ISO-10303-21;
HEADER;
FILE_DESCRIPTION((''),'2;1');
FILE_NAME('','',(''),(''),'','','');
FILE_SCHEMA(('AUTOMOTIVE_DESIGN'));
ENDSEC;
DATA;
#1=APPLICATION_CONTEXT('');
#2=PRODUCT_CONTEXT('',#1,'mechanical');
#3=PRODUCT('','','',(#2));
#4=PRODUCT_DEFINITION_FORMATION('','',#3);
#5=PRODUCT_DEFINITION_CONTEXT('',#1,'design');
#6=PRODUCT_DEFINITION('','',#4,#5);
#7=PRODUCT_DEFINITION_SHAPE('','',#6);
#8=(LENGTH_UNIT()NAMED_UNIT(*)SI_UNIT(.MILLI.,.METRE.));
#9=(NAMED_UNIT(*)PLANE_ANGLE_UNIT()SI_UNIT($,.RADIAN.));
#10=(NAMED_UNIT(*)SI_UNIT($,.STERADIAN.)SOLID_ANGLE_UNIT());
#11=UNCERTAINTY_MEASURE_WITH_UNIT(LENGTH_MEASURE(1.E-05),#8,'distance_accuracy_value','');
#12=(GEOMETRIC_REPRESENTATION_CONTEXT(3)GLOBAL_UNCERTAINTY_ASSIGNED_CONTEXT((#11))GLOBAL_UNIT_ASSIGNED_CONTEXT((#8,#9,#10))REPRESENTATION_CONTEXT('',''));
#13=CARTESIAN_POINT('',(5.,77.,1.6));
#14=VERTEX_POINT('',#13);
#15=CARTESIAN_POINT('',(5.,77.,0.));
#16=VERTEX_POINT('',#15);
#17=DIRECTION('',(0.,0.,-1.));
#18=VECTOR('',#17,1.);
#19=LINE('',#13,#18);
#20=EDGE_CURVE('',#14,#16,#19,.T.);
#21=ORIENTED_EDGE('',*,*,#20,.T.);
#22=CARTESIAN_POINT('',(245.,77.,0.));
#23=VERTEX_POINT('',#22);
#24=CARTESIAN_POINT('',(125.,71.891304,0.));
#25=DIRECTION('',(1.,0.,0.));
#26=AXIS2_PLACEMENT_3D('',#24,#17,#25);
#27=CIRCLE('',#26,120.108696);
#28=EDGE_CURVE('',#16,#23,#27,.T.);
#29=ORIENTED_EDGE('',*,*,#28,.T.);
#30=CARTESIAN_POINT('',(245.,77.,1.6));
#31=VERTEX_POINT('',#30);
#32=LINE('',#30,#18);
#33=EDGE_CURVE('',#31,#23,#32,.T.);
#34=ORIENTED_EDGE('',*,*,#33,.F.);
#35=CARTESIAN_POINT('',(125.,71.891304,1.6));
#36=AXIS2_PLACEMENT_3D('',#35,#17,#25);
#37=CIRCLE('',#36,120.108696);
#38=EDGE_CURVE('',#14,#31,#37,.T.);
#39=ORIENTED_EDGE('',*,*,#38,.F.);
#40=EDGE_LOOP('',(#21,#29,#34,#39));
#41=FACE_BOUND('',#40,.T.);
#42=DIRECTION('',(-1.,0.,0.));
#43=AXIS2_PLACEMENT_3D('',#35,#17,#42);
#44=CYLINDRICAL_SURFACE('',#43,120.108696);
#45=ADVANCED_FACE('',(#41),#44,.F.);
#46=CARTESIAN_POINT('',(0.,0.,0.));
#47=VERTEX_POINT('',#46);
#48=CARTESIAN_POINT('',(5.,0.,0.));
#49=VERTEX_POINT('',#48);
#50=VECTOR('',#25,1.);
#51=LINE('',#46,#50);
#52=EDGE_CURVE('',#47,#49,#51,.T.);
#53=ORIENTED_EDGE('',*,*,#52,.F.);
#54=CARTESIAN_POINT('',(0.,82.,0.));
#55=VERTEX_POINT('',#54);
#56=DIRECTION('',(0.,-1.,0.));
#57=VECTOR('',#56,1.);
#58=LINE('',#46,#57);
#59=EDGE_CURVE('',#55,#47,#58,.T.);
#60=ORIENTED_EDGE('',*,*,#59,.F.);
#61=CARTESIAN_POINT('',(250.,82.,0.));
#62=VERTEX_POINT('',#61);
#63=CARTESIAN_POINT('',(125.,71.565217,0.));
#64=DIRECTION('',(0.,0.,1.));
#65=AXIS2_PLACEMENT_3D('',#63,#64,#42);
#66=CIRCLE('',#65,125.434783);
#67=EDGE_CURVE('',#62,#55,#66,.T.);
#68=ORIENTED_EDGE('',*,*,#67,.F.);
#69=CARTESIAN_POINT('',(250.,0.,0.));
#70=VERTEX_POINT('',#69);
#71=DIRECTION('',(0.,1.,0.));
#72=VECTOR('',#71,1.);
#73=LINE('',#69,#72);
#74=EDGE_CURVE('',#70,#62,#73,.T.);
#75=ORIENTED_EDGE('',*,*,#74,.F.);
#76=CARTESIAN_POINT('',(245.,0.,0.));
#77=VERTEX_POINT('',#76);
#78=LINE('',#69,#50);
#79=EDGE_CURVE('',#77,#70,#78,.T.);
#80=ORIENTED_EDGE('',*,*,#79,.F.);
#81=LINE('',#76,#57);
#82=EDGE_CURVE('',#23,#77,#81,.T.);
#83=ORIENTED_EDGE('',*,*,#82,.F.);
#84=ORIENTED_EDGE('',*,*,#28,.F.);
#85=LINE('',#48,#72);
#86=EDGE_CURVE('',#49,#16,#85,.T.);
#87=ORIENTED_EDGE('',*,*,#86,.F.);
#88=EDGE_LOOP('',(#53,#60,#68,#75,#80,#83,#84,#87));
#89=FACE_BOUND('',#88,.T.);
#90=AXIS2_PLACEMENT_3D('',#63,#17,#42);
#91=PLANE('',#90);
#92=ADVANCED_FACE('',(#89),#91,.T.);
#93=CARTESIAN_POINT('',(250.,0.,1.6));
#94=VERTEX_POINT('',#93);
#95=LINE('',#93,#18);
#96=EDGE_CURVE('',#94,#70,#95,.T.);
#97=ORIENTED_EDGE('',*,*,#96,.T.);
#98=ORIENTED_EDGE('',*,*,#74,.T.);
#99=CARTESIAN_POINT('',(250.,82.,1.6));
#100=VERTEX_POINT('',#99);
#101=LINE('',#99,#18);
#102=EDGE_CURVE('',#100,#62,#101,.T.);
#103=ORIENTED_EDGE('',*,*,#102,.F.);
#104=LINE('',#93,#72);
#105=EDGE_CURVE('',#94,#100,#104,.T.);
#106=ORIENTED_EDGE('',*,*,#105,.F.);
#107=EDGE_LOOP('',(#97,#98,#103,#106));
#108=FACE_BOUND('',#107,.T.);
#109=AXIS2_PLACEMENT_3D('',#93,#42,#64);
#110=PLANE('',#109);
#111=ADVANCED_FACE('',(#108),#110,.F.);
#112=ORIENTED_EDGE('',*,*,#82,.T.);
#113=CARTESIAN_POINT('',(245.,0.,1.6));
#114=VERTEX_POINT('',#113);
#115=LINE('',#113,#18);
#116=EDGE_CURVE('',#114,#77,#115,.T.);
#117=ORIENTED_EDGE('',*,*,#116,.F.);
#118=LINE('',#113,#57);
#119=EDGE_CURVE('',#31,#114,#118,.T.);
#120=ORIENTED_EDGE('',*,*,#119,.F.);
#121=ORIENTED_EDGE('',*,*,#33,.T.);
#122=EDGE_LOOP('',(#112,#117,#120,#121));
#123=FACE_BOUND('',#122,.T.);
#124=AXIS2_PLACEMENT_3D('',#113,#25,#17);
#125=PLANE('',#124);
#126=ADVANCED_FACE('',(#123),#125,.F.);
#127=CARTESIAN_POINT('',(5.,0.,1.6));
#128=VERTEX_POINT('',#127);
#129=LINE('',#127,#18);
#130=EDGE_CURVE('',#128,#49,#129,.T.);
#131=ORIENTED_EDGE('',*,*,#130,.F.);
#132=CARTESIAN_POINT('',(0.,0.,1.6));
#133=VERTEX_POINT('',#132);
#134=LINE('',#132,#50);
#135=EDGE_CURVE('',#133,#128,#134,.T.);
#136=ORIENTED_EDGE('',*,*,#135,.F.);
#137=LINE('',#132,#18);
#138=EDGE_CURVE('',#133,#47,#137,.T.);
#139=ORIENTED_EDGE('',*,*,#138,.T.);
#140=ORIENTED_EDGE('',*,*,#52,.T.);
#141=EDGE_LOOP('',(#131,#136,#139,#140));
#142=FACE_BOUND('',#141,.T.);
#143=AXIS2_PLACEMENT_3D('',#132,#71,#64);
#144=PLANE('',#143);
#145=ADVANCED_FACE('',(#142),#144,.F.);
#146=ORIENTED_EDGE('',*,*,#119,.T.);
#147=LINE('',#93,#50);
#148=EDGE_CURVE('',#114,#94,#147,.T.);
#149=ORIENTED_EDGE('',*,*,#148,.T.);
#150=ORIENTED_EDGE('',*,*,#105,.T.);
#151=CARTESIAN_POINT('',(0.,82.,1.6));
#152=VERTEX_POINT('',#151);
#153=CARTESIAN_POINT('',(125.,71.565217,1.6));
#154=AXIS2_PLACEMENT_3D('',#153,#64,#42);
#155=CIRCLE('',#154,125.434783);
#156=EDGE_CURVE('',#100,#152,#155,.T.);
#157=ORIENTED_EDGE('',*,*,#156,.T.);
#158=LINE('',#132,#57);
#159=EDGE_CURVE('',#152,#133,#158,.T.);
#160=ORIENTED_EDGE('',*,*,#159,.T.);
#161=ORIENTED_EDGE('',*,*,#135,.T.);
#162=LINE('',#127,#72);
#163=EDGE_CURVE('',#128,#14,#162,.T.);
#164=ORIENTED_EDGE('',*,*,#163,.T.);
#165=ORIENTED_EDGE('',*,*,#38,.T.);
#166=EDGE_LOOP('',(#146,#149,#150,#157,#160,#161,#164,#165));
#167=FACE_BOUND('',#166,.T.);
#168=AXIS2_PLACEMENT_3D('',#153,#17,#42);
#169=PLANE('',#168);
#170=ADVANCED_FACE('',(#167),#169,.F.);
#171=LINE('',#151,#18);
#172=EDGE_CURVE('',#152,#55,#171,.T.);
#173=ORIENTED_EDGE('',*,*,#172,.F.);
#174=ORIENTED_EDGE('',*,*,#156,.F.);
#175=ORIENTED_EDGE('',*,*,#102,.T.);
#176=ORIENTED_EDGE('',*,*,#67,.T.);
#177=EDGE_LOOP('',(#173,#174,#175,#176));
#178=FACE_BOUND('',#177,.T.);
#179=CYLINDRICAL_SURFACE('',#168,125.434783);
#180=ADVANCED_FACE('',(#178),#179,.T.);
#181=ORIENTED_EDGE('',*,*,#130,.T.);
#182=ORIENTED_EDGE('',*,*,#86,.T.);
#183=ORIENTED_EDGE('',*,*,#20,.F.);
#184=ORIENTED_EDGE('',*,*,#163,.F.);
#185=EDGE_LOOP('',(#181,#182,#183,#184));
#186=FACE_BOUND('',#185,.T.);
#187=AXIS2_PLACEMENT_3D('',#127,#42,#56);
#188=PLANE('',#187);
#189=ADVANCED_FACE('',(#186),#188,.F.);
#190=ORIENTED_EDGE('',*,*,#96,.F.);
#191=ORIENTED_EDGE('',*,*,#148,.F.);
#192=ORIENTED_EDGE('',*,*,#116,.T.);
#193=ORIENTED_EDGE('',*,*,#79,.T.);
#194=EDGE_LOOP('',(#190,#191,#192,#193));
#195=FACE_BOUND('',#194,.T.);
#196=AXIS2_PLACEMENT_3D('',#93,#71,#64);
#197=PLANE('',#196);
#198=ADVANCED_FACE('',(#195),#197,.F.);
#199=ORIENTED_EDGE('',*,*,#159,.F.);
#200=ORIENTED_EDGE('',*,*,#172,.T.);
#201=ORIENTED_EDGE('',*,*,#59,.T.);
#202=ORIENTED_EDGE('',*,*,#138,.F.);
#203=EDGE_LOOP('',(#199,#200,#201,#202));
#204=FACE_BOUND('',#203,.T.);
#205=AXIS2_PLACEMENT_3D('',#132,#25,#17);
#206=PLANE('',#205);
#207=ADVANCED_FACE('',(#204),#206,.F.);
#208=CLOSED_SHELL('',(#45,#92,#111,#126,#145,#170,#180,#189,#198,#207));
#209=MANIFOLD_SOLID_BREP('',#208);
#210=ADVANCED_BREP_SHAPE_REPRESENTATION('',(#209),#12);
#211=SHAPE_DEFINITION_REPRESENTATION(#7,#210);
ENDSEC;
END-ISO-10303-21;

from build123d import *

# Parameters (mm, degrees)
BOSS_EXTRU_1_DEPTH = 1.6


with BuildPart() as part:
    # Esquisse1 → Boss.-Extru.1 (new body)
    with BuildSketch(Plane.XY):
        with BuildLine():
            Line((5, 0), (5, 77))
            ThreePointArc((5, 77), (125, 192), (245, 77))
            Line((245, 77), (245, 0))
            Line((245, 0), (250, 0))
            Line((250, 0), (250, 82))
            ThreePointArc((250, 82), (125, 197), (0, 82))
            Line((0, 82), (0, 0))
            Line((0, 0), (5, 0))
        make_face()
    extrude(amount=BOSS_EXTRU_1_DEPTH)


solid = part.part
